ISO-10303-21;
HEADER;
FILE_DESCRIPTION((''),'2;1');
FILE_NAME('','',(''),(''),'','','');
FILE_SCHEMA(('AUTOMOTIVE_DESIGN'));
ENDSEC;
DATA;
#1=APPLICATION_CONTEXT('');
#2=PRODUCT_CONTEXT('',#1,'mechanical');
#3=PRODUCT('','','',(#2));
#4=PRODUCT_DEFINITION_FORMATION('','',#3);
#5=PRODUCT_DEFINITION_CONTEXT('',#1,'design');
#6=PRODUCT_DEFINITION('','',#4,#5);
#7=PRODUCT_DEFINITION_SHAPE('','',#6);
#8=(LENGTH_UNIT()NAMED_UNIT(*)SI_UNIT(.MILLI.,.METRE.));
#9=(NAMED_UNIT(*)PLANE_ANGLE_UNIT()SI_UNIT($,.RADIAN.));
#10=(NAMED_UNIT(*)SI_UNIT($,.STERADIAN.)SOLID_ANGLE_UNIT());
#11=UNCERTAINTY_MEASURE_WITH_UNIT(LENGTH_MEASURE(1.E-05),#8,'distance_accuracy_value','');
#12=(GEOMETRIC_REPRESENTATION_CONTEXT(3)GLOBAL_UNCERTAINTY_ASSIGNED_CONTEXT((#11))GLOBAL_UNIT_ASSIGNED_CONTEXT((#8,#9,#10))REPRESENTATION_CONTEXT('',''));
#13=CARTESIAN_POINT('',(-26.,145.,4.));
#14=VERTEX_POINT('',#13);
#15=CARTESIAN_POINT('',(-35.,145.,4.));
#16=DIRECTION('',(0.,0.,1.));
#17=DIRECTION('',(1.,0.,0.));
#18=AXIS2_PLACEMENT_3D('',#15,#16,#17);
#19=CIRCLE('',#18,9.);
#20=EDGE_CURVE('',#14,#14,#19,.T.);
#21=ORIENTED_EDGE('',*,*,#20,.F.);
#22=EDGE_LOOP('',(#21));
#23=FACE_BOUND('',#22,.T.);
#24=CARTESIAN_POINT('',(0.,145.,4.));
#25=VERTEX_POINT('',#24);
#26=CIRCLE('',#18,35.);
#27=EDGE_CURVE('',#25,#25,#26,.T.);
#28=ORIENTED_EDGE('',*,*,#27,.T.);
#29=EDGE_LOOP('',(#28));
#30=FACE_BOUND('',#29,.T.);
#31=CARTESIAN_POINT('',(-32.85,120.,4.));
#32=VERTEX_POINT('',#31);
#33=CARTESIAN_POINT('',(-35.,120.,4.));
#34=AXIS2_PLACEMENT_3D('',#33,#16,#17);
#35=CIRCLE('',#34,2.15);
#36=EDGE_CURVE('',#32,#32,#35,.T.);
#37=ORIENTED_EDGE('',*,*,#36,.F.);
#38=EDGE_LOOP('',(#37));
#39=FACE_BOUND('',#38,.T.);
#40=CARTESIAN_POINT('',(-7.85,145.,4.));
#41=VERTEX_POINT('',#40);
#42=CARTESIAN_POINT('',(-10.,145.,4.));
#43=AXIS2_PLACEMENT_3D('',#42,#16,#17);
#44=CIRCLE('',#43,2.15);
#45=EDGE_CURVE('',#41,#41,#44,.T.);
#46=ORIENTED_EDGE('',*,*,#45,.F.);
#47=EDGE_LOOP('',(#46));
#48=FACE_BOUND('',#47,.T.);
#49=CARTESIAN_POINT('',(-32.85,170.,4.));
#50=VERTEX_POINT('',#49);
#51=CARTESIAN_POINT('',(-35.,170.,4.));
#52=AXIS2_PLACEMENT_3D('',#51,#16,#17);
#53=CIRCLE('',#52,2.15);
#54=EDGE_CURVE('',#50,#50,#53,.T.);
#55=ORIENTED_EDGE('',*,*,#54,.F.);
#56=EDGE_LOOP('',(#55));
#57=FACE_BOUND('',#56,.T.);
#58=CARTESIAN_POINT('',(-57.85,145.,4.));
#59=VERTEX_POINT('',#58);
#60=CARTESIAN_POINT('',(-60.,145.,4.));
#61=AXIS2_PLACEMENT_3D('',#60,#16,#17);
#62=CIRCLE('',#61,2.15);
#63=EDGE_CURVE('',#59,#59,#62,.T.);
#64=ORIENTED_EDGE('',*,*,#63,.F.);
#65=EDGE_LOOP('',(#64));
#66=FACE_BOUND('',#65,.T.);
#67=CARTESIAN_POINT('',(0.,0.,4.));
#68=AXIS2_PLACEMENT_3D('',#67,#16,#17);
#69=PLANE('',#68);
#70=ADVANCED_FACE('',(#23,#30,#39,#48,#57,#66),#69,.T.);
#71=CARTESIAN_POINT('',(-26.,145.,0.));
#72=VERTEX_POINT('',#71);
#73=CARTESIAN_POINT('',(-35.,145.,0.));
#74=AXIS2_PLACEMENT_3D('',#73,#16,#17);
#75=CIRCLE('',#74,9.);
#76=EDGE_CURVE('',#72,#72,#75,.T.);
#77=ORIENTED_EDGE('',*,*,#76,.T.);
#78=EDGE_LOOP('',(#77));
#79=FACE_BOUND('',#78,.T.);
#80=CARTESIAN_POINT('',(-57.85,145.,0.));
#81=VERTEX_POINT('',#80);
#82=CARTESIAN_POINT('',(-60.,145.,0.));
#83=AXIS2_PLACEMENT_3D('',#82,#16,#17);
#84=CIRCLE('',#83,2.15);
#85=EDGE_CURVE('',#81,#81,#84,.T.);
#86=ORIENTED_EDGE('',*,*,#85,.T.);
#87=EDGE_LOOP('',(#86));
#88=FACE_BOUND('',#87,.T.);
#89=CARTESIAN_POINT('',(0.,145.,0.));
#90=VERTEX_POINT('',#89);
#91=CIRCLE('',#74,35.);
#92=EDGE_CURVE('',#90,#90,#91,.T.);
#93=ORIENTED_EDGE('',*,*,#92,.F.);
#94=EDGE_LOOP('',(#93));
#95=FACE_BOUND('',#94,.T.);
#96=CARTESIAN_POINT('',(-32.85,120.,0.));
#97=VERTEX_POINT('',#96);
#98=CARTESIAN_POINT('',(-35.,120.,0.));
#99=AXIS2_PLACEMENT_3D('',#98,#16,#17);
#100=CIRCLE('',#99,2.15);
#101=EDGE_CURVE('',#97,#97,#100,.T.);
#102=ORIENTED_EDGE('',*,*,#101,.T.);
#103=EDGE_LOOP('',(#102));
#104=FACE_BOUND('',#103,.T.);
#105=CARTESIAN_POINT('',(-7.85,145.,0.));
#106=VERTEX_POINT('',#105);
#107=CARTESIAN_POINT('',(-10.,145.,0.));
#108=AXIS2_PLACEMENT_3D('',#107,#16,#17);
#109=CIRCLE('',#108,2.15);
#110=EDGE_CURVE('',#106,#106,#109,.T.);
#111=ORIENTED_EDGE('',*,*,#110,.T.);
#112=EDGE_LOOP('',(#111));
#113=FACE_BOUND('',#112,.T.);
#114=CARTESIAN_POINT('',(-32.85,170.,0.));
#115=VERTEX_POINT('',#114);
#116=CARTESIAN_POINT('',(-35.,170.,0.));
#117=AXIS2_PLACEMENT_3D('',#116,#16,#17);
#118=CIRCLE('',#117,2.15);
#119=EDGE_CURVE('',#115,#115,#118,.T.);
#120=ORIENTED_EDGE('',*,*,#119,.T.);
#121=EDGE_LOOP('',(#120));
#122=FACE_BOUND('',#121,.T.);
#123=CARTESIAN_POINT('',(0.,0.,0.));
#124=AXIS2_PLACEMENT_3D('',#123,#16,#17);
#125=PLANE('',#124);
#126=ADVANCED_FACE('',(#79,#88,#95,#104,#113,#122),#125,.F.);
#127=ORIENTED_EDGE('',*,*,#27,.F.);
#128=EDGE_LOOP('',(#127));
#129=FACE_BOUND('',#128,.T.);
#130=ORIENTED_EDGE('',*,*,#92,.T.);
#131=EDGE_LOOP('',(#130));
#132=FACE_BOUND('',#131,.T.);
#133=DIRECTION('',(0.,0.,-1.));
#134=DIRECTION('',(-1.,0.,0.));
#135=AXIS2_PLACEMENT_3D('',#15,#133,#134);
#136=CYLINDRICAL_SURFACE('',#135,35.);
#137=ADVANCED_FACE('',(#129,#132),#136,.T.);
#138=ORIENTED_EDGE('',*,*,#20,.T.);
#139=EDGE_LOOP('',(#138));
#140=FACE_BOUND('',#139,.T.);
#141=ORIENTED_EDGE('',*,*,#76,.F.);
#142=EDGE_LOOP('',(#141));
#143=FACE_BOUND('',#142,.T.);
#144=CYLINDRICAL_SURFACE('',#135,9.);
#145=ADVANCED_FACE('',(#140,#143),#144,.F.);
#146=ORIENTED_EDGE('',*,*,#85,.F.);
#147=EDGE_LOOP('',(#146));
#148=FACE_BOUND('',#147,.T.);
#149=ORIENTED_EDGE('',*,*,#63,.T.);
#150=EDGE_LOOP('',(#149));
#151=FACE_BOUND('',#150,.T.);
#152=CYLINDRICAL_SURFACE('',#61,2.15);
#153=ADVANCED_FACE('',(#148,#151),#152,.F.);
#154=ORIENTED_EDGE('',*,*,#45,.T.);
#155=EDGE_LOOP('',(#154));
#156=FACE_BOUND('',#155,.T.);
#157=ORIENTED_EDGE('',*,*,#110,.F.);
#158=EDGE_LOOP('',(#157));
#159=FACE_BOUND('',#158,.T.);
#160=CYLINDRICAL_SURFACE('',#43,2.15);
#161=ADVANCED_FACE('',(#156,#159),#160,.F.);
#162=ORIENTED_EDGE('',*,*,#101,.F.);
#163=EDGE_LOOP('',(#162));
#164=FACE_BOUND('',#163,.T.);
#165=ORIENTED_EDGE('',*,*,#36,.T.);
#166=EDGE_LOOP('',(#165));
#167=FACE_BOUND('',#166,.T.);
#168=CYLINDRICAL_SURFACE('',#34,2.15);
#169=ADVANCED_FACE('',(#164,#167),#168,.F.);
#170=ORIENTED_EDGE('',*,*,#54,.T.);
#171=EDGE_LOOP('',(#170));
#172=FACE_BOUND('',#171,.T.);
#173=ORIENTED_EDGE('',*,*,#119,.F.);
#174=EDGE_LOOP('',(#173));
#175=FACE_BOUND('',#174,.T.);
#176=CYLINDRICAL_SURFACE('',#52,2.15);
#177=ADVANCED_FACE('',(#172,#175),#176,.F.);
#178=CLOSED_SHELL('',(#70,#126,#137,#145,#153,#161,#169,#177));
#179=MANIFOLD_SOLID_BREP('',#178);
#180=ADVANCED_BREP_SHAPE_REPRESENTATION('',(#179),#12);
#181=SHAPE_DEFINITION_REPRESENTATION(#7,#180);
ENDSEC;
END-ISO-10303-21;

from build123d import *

# Parameters (mm, degrees)
SKETCH1_R            = 9
BOSS_EXTRUDE1_DEPTH  = 4
M4_CLEARANCE_HOLE1_D = 4.3


with BuildPart() as part:
    # Sketch1 → Boss-Extrude1 (new body)
    with BuildSketch(Plane.XY):
        with BuildLine():
            ThreePointArc((-70, 145), (-35, 110), (0, 145))
            ThreePointArc((0, 145), (-35, 180), (-70, 145))
        make_face()
        with Locations((-35, 145)):
            Circle(SKETCH1_R, mode=Mode.SUBTRACT)
    extrude(amount=BOSS_EXTRUDE1_DEPTH)

    # M4 Clearance Hole1 (through all)
    with Locations(Plane.XY.offset(4)):
        with Locations((-35, 170), (-10, 145), (-35, 120), (-60, 145)):
            Hole(M4_CLEARANCE_HOLE1_D / 2)


solid = part.part
